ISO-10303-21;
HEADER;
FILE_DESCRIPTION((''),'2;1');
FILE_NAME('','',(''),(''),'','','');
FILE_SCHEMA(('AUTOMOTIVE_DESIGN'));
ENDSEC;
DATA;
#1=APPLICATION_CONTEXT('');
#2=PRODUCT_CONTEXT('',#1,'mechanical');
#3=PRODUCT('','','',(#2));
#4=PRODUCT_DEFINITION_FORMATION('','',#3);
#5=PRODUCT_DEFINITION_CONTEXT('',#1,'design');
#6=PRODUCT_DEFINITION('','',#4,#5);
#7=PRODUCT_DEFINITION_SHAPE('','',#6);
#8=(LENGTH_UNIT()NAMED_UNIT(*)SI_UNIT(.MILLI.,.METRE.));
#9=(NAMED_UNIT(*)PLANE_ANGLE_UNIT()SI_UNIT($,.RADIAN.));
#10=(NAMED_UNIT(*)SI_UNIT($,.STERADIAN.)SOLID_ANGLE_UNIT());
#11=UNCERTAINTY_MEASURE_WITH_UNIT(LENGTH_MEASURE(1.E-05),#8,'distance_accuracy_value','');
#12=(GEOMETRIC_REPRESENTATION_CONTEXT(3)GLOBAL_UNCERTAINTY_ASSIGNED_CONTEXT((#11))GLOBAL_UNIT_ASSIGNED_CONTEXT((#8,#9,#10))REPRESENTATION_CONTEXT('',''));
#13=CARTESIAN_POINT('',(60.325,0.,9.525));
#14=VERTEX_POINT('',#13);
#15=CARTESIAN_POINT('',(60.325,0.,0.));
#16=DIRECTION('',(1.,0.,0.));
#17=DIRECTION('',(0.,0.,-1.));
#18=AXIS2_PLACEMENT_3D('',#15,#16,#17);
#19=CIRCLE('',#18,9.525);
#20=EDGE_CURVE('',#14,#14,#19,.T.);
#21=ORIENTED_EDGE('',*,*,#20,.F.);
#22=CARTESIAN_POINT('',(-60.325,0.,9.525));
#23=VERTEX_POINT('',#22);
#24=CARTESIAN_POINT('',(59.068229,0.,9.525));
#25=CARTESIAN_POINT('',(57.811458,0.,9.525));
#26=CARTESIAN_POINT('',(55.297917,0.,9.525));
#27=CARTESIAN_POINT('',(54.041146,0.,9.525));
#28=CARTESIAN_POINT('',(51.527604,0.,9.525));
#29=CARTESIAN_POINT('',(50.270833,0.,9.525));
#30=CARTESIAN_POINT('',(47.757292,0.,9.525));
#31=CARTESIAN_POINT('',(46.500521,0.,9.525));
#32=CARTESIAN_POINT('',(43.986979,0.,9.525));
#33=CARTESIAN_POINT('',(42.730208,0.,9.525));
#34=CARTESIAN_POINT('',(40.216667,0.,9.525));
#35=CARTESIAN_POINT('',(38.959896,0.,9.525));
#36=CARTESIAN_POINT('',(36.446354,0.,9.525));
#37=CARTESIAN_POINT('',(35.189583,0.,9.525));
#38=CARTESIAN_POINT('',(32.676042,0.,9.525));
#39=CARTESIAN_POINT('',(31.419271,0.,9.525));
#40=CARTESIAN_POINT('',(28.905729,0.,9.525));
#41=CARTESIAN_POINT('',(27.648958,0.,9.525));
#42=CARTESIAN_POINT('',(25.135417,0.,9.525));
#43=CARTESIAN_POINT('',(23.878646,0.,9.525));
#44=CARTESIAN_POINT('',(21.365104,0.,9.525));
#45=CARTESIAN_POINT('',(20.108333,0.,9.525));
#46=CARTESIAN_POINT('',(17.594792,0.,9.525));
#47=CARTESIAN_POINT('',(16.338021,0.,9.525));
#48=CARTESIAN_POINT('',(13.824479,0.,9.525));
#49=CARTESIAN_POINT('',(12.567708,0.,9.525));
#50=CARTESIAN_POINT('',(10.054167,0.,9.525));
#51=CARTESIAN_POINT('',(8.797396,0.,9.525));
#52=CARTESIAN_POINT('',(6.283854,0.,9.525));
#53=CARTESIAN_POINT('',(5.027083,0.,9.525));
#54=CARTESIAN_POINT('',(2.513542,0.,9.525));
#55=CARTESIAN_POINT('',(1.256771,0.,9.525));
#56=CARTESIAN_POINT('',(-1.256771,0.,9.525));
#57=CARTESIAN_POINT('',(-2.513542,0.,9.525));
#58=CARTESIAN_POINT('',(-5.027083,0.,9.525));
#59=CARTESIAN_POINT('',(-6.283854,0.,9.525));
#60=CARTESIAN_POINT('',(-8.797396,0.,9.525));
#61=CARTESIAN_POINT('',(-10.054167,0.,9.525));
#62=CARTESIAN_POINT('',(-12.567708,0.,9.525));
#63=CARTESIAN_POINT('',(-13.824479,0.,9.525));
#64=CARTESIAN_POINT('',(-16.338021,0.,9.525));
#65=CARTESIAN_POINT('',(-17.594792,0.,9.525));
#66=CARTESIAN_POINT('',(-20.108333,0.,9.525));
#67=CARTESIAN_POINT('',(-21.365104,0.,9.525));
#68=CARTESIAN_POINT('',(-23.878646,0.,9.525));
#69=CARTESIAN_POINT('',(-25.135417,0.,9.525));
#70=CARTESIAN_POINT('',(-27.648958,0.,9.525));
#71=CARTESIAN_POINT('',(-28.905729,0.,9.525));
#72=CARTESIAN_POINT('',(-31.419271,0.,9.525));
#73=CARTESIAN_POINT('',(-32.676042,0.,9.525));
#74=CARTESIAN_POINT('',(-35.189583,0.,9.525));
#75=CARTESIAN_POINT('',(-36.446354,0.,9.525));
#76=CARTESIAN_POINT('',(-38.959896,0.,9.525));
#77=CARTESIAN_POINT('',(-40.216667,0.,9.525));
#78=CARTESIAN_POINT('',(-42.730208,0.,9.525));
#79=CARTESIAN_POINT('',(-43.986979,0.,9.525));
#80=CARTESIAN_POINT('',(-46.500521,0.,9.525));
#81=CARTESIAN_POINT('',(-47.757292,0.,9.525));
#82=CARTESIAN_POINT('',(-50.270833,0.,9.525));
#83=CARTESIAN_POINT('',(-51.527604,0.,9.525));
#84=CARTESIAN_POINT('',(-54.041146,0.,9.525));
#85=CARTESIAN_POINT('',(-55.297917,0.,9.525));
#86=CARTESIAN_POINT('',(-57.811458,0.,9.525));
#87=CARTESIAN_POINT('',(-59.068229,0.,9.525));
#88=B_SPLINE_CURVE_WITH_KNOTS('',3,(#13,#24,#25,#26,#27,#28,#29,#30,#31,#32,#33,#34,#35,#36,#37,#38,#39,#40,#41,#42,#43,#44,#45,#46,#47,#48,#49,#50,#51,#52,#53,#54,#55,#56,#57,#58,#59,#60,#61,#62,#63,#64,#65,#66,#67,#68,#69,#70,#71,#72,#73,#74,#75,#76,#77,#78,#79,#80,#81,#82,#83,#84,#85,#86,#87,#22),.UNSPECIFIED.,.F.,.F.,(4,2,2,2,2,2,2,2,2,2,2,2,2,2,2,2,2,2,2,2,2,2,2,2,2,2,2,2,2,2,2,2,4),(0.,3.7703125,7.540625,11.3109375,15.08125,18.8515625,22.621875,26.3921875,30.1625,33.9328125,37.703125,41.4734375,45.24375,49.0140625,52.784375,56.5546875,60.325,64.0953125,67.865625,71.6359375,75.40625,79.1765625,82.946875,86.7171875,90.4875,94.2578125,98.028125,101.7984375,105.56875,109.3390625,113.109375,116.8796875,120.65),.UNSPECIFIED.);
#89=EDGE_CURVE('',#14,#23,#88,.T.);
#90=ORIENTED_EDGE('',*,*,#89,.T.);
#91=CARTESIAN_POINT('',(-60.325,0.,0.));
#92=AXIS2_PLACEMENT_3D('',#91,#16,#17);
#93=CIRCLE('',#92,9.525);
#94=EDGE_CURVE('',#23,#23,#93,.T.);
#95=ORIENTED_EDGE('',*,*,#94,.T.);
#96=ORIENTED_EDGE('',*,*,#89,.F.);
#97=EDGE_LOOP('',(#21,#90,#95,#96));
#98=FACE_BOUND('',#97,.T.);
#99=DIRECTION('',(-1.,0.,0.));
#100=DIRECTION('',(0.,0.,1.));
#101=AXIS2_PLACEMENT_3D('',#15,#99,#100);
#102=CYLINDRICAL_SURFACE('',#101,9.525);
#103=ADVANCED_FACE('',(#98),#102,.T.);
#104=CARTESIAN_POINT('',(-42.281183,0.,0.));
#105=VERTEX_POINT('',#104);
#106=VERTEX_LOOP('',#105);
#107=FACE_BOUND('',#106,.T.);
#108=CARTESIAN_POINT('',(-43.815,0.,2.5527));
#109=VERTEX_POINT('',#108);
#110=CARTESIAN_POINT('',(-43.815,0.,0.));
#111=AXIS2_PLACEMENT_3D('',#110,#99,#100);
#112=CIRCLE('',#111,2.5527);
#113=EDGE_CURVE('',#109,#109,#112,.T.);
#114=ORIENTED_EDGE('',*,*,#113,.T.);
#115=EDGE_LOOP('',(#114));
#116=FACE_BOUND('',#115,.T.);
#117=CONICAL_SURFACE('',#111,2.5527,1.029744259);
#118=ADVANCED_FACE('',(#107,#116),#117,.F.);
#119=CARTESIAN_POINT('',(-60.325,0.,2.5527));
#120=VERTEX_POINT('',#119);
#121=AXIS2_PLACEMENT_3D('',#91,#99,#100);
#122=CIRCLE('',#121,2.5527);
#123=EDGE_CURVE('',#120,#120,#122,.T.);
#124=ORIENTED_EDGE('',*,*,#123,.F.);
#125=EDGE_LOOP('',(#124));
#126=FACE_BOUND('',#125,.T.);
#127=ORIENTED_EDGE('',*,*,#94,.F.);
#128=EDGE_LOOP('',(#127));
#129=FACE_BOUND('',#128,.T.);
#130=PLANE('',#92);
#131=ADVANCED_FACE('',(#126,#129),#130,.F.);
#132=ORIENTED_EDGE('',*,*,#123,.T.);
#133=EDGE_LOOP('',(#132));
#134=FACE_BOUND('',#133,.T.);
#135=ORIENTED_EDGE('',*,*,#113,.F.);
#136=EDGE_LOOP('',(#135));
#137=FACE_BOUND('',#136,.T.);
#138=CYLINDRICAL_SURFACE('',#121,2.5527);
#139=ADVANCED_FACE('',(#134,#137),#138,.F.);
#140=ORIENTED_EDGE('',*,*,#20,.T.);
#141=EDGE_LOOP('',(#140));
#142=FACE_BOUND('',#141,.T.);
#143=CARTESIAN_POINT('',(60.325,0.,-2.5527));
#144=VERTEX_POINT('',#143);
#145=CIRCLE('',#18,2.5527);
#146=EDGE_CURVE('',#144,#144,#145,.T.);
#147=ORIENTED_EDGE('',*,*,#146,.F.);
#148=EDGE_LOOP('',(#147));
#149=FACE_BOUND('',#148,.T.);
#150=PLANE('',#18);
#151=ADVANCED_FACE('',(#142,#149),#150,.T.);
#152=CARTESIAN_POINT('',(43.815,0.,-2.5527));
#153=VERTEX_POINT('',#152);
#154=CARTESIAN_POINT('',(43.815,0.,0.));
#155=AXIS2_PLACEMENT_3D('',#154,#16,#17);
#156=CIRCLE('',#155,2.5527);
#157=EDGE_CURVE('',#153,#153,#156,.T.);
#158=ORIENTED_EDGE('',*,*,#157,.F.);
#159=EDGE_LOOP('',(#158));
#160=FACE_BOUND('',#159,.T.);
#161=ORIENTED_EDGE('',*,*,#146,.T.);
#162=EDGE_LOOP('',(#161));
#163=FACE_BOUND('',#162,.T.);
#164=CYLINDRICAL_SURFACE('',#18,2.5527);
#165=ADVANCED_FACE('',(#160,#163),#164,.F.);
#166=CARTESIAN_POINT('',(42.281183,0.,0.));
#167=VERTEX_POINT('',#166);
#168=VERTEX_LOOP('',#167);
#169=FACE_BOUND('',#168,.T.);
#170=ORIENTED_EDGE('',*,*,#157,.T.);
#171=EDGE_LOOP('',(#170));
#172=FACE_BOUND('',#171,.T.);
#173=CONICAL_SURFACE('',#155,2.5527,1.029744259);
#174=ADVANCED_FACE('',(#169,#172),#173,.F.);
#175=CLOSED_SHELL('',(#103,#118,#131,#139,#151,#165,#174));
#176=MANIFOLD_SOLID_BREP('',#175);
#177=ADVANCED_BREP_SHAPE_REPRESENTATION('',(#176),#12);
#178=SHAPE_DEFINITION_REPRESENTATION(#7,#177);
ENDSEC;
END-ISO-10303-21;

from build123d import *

# Parameters (mm, degrees)
SKETCH1_R                             = 9.525
BOSS_EXTRUDE1_DEPTH                   = 60.325
F_1_4_20_TAPPED_HOLE1_D               = 5.1054
F_1_4_20_TAPPED_HOLE1_DEPTH           = 16.51
F_1_4_20_TAPPED_HOLE1_TIP             = 1.533816902
F_1_4_20_TAPPED_HOLE1_ON_FACE_2_D     = 5.1054
F_1_4_20_TAPPED_HOLE1_ON_FACE_2_DEPTH = 16.51
F_1_4_20_TAPPED_HOLE1_ON_FACE_2_TIP   = 1.533816902


with BuildPart() as part:
    # Sketch1 → Boss-Extrude1 (new, symmetric)
    with BuildSketch(Plane(origin=(0, 0, 0), x_dir=(0, 0, -1), z_dir=(1, 0, 0))):
        with Locations(Location((0, 0, 0), (0, 0, 180))):
            Circle(SKETCH1_R)
    extrude(amount=BOSS_EXTRUDE1_DEPTH, both=True)

    # 1/4-20 Tapped Hole1
    with Locations(Plane(origin=(60.325, 0, 0), x_dir=(0, 0, 1), z_dir=(1, 0, 0))):
        with Locations((0, 0)):
            Hole(F_1_4_20_TAPPED_HOLE1_D / 2, depth=F_1_4_20_TAPPED_HOLE1_DEPTH)
            with Locations((0, 0, -(F_1_4_20_TAPPED_HOLE1_DEPTH + F_1_4_20_TAPPED_HOLE1_TIP / 2))):  # 118° drill point
                Cone(0, F_1_4_20_TAPPED_HOLE1_D / 2, F_1_4_20_TAPPED_HOLE1_TIP, mode=Mode.SUBTRACT)

    # 1/4-20 Tapped Hole1 on face 2
    with Locations(Plane(origin=(-60.325, 0, 0), x_dir=(0, 0, -1), z_dir=(-1, 0, 0))):
        with Locations((0, 0)):
            Hole(F_1_4_20_TAPPED_HOLE1_ON_FACE_2_D / 2, depth=F_1_4_20_TAPPED_HOLE1_ON_FACE_2_DEPTH)
            with Locations((0, 0, -(F_1_4_20_TAPPED_HOLE1_ON_FACE_2_DEPTH + F_1_4_20_TAPPED_HOLE1_ON_FACE_2_TIP / 2))):  # 118° drill point
                Cone(0, F_1_4_20_TAPPED_HOLE1_ON_FACE_2_D / 2, F_1_4_20_TAPPED_HOLE1_ON_FACE_2_TIP, mode=Mode.SUBTRACT)


solid = part.part
